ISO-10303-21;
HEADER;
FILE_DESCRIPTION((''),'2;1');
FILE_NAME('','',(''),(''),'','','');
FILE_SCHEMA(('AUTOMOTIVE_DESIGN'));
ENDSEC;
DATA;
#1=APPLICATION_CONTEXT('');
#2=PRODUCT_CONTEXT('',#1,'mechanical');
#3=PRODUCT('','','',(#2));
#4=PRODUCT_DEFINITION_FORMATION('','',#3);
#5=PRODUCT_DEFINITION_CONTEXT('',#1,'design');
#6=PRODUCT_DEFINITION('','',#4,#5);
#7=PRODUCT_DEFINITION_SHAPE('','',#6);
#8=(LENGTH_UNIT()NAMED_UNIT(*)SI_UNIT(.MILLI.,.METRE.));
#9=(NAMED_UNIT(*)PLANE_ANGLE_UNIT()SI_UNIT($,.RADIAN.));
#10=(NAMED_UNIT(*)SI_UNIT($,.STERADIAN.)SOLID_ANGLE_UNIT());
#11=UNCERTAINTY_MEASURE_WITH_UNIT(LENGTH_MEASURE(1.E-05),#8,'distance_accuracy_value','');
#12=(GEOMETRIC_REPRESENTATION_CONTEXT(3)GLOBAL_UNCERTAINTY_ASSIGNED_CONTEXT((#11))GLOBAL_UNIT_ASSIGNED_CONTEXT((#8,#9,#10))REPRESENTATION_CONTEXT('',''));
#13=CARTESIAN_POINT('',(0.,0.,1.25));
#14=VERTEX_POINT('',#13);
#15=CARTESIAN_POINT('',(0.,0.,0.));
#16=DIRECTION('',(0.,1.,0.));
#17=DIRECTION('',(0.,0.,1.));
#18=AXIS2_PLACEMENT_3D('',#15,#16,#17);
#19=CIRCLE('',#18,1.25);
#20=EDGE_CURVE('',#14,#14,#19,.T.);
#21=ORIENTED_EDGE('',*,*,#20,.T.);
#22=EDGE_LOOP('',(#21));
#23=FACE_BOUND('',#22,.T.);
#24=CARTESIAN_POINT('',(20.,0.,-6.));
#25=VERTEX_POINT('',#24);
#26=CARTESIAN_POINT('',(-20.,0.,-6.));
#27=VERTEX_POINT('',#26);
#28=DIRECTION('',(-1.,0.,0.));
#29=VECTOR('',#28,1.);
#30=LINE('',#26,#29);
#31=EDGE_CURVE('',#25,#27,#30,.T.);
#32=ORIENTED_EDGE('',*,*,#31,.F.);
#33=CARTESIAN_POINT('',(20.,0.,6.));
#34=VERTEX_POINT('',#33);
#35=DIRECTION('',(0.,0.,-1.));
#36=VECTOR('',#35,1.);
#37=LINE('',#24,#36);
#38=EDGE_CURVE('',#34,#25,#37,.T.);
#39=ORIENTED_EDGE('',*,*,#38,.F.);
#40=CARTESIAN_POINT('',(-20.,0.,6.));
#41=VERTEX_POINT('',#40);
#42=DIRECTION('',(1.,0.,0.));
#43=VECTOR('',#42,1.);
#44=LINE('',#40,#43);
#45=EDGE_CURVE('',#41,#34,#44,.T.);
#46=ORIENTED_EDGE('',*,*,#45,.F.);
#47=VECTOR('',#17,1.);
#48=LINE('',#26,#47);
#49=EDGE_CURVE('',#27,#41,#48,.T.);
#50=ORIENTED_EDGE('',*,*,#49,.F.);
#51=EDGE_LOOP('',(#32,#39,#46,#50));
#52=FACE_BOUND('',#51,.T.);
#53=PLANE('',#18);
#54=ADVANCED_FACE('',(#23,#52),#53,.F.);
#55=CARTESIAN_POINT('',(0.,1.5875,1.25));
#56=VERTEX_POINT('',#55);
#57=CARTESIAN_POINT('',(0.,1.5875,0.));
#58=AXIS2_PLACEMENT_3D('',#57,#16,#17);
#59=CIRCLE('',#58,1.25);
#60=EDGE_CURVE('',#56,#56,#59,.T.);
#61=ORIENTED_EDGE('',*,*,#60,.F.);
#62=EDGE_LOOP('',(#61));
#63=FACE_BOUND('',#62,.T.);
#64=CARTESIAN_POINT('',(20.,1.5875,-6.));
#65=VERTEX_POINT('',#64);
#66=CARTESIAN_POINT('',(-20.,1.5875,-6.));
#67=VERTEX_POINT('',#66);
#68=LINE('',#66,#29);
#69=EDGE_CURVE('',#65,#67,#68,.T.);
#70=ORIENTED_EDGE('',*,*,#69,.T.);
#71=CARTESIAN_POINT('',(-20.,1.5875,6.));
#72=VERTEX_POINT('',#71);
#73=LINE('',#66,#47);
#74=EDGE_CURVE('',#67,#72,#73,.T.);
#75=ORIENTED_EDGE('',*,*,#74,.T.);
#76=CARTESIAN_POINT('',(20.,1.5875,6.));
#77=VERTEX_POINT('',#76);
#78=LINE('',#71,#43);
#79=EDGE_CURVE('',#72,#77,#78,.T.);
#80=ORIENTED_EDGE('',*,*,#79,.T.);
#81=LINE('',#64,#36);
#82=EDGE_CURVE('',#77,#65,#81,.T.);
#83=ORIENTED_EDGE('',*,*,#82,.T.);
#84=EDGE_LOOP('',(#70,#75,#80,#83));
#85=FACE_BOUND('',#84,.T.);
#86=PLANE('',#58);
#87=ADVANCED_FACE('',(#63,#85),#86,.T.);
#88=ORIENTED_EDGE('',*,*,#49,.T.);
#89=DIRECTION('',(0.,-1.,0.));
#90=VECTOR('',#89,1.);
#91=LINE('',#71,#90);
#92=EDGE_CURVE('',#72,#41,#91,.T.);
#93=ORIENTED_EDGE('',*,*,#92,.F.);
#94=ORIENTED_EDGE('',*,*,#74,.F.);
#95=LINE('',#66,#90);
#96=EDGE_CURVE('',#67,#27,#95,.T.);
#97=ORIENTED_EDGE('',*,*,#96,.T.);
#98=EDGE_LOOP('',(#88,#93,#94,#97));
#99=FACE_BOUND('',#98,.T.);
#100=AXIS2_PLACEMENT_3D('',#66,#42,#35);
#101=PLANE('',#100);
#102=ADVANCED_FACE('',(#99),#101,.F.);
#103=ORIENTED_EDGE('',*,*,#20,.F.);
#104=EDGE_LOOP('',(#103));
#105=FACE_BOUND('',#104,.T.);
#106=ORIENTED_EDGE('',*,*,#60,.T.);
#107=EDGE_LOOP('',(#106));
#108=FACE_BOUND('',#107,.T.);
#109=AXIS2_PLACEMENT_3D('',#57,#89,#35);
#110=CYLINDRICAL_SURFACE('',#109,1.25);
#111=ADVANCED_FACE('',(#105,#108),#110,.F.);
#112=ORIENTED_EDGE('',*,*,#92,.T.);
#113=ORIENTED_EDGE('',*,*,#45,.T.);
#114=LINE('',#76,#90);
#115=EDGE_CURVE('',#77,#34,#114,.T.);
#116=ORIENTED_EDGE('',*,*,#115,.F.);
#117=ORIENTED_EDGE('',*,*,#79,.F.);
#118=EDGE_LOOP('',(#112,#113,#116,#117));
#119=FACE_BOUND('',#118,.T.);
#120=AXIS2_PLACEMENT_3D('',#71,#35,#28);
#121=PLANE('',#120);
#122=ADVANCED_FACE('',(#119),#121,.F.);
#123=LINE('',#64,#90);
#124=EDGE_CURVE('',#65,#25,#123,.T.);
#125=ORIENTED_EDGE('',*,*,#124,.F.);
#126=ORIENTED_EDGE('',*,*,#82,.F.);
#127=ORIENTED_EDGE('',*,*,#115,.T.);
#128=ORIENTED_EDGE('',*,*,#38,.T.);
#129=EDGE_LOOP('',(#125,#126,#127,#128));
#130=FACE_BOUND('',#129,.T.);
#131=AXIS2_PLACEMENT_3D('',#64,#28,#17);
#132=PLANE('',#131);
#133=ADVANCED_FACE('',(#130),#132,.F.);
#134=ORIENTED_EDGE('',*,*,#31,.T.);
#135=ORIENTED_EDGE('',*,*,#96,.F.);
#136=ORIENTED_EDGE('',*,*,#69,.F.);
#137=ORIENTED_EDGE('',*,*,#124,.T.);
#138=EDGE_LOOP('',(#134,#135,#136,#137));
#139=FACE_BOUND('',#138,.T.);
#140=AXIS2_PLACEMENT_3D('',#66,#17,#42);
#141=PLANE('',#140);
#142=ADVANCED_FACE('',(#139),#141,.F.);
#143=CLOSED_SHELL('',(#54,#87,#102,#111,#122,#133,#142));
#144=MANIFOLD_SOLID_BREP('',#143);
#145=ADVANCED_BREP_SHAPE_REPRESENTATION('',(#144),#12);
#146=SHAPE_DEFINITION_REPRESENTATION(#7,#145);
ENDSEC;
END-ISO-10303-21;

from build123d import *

# Parameters (mm, degrees)
SKETCH1_W           = 40
SKETCH1_H           = 12
SKETCH1_R           = 1.25
BOSS_EXTRUDE1_DEPTH = 1.5875


with BuildPart() as part:
    # Sketch1 → Boss-Extrude1 (new body)
    with BuildSketch(Plane(origin=(0, 0, 0), x_dir=(1, 0, 0), z_dir=(0, 1, 0))):
        Rectangle(SKETCH1_W, SKETCH1_H)
        with Locations(Location((0, 0, 0), (0, 0, 270))):
            Circle(SKETCH1_R, mode=Mode.SUBTRACT)
    extrude(amount=BOSS_EXTRUDE1_DEPTH)


solid = part.part
